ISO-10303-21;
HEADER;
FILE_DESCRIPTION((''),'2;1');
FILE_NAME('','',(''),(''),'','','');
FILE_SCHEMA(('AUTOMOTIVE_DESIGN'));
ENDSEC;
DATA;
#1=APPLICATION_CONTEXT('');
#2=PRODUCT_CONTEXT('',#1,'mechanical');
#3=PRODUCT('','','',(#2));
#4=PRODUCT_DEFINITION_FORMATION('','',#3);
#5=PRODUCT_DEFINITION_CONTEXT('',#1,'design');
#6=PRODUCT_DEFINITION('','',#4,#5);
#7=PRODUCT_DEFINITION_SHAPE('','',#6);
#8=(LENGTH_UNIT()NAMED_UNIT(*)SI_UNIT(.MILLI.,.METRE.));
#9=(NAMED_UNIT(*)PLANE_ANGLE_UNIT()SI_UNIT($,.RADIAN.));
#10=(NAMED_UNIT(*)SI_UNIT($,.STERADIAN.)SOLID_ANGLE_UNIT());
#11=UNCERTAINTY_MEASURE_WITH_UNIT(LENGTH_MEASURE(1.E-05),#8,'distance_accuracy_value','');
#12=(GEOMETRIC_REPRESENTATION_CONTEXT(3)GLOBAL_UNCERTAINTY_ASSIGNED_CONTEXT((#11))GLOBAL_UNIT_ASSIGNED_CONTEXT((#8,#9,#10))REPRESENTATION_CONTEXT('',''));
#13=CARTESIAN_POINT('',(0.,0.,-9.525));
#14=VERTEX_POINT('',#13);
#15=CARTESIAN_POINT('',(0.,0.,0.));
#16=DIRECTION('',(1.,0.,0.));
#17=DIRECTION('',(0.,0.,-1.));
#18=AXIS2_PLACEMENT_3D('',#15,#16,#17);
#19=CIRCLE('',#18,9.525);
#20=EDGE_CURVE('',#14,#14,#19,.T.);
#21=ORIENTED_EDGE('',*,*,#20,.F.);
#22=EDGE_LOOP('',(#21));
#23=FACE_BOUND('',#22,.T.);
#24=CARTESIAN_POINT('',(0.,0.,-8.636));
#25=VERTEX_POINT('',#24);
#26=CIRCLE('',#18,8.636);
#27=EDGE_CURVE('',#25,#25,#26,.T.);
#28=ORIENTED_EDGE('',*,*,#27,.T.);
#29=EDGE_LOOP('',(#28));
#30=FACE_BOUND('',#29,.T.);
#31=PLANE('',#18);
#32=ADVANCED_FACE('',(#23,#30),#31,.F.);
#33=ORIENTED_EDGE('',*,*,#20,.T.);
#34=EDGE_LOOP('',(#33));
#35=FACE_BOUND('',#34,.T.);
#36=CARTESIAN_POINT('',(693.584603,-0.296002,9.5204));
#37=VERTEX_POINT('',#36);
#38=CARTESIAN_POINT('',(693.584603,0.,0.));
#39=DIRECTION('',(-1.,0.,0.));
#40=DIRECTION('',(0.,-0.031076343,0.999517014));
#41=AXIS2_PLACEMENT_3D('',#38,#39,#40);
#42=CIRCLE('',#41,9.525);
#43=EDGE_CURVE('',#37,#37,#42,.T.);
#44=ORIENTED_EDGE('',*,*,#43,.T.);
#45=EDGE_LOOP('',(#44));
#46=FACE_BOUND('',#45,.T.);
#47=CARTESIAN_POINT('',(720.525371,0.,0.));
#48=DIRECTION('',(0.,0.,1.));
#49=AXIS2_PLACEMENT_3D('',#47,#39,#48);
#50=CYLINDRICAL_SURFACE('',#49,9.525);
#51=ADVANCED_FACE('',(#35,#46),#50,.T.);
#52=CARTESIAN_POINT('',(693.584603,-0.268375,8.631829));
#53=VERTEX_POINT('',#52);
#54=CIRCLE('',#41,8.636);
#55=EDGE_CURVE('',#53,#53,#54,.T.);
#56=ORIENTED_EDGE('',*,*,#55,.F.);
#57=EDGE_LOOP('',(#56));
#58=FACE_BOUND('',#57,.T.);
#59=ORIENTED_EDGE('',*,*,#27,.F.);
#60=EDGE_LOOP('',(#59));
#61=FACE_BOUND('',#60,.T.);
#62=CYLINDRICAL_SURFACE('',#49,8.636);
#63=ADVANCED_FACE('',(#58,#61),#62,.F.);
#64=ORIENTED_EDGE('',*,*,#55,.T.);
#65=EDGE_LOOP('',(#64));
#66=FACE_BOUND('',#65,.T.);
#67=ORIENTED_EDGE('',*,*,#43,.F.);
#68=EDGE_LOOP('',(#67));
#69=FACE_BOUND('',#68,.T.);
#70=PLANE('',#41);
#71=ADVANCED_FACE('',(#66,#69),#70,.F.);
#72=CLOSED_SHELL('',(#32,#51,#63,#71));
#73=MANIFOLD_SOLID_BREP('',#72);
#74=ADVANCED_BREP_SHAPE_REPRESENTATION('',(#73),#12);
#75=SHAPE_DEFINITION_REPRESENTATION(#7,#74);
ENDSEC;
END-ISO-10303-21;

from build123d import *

# Parameters (mm, degrees)
SKETCH1_R           = 9.525
SKETCH1_R_2         = 8.636
BOSS_EXTRUDE1_DEPTH = 693.584603001


with BuildPart() as part:
    # Sketch1 → Boss-Extrude1 (new body)
    with BuildSketch(Plane(origin=(0, 0, 0), x_dir=(0, 0, -1), z_dir=(1, 0, 0))):
        with Locations(Location((0, 0, 0), (0, 0, 181.78083))):
            Circle(SKETCH1_R)
        with Locations(Location((0, 0, 0), (0, 0, 181.78083))):
            Circle(SKETCH1_R_2, mode=Mode.SUBTRACT)
    extrude(amount=BOSS_EXTRUDE1_DEPTH)


solid = part.part
